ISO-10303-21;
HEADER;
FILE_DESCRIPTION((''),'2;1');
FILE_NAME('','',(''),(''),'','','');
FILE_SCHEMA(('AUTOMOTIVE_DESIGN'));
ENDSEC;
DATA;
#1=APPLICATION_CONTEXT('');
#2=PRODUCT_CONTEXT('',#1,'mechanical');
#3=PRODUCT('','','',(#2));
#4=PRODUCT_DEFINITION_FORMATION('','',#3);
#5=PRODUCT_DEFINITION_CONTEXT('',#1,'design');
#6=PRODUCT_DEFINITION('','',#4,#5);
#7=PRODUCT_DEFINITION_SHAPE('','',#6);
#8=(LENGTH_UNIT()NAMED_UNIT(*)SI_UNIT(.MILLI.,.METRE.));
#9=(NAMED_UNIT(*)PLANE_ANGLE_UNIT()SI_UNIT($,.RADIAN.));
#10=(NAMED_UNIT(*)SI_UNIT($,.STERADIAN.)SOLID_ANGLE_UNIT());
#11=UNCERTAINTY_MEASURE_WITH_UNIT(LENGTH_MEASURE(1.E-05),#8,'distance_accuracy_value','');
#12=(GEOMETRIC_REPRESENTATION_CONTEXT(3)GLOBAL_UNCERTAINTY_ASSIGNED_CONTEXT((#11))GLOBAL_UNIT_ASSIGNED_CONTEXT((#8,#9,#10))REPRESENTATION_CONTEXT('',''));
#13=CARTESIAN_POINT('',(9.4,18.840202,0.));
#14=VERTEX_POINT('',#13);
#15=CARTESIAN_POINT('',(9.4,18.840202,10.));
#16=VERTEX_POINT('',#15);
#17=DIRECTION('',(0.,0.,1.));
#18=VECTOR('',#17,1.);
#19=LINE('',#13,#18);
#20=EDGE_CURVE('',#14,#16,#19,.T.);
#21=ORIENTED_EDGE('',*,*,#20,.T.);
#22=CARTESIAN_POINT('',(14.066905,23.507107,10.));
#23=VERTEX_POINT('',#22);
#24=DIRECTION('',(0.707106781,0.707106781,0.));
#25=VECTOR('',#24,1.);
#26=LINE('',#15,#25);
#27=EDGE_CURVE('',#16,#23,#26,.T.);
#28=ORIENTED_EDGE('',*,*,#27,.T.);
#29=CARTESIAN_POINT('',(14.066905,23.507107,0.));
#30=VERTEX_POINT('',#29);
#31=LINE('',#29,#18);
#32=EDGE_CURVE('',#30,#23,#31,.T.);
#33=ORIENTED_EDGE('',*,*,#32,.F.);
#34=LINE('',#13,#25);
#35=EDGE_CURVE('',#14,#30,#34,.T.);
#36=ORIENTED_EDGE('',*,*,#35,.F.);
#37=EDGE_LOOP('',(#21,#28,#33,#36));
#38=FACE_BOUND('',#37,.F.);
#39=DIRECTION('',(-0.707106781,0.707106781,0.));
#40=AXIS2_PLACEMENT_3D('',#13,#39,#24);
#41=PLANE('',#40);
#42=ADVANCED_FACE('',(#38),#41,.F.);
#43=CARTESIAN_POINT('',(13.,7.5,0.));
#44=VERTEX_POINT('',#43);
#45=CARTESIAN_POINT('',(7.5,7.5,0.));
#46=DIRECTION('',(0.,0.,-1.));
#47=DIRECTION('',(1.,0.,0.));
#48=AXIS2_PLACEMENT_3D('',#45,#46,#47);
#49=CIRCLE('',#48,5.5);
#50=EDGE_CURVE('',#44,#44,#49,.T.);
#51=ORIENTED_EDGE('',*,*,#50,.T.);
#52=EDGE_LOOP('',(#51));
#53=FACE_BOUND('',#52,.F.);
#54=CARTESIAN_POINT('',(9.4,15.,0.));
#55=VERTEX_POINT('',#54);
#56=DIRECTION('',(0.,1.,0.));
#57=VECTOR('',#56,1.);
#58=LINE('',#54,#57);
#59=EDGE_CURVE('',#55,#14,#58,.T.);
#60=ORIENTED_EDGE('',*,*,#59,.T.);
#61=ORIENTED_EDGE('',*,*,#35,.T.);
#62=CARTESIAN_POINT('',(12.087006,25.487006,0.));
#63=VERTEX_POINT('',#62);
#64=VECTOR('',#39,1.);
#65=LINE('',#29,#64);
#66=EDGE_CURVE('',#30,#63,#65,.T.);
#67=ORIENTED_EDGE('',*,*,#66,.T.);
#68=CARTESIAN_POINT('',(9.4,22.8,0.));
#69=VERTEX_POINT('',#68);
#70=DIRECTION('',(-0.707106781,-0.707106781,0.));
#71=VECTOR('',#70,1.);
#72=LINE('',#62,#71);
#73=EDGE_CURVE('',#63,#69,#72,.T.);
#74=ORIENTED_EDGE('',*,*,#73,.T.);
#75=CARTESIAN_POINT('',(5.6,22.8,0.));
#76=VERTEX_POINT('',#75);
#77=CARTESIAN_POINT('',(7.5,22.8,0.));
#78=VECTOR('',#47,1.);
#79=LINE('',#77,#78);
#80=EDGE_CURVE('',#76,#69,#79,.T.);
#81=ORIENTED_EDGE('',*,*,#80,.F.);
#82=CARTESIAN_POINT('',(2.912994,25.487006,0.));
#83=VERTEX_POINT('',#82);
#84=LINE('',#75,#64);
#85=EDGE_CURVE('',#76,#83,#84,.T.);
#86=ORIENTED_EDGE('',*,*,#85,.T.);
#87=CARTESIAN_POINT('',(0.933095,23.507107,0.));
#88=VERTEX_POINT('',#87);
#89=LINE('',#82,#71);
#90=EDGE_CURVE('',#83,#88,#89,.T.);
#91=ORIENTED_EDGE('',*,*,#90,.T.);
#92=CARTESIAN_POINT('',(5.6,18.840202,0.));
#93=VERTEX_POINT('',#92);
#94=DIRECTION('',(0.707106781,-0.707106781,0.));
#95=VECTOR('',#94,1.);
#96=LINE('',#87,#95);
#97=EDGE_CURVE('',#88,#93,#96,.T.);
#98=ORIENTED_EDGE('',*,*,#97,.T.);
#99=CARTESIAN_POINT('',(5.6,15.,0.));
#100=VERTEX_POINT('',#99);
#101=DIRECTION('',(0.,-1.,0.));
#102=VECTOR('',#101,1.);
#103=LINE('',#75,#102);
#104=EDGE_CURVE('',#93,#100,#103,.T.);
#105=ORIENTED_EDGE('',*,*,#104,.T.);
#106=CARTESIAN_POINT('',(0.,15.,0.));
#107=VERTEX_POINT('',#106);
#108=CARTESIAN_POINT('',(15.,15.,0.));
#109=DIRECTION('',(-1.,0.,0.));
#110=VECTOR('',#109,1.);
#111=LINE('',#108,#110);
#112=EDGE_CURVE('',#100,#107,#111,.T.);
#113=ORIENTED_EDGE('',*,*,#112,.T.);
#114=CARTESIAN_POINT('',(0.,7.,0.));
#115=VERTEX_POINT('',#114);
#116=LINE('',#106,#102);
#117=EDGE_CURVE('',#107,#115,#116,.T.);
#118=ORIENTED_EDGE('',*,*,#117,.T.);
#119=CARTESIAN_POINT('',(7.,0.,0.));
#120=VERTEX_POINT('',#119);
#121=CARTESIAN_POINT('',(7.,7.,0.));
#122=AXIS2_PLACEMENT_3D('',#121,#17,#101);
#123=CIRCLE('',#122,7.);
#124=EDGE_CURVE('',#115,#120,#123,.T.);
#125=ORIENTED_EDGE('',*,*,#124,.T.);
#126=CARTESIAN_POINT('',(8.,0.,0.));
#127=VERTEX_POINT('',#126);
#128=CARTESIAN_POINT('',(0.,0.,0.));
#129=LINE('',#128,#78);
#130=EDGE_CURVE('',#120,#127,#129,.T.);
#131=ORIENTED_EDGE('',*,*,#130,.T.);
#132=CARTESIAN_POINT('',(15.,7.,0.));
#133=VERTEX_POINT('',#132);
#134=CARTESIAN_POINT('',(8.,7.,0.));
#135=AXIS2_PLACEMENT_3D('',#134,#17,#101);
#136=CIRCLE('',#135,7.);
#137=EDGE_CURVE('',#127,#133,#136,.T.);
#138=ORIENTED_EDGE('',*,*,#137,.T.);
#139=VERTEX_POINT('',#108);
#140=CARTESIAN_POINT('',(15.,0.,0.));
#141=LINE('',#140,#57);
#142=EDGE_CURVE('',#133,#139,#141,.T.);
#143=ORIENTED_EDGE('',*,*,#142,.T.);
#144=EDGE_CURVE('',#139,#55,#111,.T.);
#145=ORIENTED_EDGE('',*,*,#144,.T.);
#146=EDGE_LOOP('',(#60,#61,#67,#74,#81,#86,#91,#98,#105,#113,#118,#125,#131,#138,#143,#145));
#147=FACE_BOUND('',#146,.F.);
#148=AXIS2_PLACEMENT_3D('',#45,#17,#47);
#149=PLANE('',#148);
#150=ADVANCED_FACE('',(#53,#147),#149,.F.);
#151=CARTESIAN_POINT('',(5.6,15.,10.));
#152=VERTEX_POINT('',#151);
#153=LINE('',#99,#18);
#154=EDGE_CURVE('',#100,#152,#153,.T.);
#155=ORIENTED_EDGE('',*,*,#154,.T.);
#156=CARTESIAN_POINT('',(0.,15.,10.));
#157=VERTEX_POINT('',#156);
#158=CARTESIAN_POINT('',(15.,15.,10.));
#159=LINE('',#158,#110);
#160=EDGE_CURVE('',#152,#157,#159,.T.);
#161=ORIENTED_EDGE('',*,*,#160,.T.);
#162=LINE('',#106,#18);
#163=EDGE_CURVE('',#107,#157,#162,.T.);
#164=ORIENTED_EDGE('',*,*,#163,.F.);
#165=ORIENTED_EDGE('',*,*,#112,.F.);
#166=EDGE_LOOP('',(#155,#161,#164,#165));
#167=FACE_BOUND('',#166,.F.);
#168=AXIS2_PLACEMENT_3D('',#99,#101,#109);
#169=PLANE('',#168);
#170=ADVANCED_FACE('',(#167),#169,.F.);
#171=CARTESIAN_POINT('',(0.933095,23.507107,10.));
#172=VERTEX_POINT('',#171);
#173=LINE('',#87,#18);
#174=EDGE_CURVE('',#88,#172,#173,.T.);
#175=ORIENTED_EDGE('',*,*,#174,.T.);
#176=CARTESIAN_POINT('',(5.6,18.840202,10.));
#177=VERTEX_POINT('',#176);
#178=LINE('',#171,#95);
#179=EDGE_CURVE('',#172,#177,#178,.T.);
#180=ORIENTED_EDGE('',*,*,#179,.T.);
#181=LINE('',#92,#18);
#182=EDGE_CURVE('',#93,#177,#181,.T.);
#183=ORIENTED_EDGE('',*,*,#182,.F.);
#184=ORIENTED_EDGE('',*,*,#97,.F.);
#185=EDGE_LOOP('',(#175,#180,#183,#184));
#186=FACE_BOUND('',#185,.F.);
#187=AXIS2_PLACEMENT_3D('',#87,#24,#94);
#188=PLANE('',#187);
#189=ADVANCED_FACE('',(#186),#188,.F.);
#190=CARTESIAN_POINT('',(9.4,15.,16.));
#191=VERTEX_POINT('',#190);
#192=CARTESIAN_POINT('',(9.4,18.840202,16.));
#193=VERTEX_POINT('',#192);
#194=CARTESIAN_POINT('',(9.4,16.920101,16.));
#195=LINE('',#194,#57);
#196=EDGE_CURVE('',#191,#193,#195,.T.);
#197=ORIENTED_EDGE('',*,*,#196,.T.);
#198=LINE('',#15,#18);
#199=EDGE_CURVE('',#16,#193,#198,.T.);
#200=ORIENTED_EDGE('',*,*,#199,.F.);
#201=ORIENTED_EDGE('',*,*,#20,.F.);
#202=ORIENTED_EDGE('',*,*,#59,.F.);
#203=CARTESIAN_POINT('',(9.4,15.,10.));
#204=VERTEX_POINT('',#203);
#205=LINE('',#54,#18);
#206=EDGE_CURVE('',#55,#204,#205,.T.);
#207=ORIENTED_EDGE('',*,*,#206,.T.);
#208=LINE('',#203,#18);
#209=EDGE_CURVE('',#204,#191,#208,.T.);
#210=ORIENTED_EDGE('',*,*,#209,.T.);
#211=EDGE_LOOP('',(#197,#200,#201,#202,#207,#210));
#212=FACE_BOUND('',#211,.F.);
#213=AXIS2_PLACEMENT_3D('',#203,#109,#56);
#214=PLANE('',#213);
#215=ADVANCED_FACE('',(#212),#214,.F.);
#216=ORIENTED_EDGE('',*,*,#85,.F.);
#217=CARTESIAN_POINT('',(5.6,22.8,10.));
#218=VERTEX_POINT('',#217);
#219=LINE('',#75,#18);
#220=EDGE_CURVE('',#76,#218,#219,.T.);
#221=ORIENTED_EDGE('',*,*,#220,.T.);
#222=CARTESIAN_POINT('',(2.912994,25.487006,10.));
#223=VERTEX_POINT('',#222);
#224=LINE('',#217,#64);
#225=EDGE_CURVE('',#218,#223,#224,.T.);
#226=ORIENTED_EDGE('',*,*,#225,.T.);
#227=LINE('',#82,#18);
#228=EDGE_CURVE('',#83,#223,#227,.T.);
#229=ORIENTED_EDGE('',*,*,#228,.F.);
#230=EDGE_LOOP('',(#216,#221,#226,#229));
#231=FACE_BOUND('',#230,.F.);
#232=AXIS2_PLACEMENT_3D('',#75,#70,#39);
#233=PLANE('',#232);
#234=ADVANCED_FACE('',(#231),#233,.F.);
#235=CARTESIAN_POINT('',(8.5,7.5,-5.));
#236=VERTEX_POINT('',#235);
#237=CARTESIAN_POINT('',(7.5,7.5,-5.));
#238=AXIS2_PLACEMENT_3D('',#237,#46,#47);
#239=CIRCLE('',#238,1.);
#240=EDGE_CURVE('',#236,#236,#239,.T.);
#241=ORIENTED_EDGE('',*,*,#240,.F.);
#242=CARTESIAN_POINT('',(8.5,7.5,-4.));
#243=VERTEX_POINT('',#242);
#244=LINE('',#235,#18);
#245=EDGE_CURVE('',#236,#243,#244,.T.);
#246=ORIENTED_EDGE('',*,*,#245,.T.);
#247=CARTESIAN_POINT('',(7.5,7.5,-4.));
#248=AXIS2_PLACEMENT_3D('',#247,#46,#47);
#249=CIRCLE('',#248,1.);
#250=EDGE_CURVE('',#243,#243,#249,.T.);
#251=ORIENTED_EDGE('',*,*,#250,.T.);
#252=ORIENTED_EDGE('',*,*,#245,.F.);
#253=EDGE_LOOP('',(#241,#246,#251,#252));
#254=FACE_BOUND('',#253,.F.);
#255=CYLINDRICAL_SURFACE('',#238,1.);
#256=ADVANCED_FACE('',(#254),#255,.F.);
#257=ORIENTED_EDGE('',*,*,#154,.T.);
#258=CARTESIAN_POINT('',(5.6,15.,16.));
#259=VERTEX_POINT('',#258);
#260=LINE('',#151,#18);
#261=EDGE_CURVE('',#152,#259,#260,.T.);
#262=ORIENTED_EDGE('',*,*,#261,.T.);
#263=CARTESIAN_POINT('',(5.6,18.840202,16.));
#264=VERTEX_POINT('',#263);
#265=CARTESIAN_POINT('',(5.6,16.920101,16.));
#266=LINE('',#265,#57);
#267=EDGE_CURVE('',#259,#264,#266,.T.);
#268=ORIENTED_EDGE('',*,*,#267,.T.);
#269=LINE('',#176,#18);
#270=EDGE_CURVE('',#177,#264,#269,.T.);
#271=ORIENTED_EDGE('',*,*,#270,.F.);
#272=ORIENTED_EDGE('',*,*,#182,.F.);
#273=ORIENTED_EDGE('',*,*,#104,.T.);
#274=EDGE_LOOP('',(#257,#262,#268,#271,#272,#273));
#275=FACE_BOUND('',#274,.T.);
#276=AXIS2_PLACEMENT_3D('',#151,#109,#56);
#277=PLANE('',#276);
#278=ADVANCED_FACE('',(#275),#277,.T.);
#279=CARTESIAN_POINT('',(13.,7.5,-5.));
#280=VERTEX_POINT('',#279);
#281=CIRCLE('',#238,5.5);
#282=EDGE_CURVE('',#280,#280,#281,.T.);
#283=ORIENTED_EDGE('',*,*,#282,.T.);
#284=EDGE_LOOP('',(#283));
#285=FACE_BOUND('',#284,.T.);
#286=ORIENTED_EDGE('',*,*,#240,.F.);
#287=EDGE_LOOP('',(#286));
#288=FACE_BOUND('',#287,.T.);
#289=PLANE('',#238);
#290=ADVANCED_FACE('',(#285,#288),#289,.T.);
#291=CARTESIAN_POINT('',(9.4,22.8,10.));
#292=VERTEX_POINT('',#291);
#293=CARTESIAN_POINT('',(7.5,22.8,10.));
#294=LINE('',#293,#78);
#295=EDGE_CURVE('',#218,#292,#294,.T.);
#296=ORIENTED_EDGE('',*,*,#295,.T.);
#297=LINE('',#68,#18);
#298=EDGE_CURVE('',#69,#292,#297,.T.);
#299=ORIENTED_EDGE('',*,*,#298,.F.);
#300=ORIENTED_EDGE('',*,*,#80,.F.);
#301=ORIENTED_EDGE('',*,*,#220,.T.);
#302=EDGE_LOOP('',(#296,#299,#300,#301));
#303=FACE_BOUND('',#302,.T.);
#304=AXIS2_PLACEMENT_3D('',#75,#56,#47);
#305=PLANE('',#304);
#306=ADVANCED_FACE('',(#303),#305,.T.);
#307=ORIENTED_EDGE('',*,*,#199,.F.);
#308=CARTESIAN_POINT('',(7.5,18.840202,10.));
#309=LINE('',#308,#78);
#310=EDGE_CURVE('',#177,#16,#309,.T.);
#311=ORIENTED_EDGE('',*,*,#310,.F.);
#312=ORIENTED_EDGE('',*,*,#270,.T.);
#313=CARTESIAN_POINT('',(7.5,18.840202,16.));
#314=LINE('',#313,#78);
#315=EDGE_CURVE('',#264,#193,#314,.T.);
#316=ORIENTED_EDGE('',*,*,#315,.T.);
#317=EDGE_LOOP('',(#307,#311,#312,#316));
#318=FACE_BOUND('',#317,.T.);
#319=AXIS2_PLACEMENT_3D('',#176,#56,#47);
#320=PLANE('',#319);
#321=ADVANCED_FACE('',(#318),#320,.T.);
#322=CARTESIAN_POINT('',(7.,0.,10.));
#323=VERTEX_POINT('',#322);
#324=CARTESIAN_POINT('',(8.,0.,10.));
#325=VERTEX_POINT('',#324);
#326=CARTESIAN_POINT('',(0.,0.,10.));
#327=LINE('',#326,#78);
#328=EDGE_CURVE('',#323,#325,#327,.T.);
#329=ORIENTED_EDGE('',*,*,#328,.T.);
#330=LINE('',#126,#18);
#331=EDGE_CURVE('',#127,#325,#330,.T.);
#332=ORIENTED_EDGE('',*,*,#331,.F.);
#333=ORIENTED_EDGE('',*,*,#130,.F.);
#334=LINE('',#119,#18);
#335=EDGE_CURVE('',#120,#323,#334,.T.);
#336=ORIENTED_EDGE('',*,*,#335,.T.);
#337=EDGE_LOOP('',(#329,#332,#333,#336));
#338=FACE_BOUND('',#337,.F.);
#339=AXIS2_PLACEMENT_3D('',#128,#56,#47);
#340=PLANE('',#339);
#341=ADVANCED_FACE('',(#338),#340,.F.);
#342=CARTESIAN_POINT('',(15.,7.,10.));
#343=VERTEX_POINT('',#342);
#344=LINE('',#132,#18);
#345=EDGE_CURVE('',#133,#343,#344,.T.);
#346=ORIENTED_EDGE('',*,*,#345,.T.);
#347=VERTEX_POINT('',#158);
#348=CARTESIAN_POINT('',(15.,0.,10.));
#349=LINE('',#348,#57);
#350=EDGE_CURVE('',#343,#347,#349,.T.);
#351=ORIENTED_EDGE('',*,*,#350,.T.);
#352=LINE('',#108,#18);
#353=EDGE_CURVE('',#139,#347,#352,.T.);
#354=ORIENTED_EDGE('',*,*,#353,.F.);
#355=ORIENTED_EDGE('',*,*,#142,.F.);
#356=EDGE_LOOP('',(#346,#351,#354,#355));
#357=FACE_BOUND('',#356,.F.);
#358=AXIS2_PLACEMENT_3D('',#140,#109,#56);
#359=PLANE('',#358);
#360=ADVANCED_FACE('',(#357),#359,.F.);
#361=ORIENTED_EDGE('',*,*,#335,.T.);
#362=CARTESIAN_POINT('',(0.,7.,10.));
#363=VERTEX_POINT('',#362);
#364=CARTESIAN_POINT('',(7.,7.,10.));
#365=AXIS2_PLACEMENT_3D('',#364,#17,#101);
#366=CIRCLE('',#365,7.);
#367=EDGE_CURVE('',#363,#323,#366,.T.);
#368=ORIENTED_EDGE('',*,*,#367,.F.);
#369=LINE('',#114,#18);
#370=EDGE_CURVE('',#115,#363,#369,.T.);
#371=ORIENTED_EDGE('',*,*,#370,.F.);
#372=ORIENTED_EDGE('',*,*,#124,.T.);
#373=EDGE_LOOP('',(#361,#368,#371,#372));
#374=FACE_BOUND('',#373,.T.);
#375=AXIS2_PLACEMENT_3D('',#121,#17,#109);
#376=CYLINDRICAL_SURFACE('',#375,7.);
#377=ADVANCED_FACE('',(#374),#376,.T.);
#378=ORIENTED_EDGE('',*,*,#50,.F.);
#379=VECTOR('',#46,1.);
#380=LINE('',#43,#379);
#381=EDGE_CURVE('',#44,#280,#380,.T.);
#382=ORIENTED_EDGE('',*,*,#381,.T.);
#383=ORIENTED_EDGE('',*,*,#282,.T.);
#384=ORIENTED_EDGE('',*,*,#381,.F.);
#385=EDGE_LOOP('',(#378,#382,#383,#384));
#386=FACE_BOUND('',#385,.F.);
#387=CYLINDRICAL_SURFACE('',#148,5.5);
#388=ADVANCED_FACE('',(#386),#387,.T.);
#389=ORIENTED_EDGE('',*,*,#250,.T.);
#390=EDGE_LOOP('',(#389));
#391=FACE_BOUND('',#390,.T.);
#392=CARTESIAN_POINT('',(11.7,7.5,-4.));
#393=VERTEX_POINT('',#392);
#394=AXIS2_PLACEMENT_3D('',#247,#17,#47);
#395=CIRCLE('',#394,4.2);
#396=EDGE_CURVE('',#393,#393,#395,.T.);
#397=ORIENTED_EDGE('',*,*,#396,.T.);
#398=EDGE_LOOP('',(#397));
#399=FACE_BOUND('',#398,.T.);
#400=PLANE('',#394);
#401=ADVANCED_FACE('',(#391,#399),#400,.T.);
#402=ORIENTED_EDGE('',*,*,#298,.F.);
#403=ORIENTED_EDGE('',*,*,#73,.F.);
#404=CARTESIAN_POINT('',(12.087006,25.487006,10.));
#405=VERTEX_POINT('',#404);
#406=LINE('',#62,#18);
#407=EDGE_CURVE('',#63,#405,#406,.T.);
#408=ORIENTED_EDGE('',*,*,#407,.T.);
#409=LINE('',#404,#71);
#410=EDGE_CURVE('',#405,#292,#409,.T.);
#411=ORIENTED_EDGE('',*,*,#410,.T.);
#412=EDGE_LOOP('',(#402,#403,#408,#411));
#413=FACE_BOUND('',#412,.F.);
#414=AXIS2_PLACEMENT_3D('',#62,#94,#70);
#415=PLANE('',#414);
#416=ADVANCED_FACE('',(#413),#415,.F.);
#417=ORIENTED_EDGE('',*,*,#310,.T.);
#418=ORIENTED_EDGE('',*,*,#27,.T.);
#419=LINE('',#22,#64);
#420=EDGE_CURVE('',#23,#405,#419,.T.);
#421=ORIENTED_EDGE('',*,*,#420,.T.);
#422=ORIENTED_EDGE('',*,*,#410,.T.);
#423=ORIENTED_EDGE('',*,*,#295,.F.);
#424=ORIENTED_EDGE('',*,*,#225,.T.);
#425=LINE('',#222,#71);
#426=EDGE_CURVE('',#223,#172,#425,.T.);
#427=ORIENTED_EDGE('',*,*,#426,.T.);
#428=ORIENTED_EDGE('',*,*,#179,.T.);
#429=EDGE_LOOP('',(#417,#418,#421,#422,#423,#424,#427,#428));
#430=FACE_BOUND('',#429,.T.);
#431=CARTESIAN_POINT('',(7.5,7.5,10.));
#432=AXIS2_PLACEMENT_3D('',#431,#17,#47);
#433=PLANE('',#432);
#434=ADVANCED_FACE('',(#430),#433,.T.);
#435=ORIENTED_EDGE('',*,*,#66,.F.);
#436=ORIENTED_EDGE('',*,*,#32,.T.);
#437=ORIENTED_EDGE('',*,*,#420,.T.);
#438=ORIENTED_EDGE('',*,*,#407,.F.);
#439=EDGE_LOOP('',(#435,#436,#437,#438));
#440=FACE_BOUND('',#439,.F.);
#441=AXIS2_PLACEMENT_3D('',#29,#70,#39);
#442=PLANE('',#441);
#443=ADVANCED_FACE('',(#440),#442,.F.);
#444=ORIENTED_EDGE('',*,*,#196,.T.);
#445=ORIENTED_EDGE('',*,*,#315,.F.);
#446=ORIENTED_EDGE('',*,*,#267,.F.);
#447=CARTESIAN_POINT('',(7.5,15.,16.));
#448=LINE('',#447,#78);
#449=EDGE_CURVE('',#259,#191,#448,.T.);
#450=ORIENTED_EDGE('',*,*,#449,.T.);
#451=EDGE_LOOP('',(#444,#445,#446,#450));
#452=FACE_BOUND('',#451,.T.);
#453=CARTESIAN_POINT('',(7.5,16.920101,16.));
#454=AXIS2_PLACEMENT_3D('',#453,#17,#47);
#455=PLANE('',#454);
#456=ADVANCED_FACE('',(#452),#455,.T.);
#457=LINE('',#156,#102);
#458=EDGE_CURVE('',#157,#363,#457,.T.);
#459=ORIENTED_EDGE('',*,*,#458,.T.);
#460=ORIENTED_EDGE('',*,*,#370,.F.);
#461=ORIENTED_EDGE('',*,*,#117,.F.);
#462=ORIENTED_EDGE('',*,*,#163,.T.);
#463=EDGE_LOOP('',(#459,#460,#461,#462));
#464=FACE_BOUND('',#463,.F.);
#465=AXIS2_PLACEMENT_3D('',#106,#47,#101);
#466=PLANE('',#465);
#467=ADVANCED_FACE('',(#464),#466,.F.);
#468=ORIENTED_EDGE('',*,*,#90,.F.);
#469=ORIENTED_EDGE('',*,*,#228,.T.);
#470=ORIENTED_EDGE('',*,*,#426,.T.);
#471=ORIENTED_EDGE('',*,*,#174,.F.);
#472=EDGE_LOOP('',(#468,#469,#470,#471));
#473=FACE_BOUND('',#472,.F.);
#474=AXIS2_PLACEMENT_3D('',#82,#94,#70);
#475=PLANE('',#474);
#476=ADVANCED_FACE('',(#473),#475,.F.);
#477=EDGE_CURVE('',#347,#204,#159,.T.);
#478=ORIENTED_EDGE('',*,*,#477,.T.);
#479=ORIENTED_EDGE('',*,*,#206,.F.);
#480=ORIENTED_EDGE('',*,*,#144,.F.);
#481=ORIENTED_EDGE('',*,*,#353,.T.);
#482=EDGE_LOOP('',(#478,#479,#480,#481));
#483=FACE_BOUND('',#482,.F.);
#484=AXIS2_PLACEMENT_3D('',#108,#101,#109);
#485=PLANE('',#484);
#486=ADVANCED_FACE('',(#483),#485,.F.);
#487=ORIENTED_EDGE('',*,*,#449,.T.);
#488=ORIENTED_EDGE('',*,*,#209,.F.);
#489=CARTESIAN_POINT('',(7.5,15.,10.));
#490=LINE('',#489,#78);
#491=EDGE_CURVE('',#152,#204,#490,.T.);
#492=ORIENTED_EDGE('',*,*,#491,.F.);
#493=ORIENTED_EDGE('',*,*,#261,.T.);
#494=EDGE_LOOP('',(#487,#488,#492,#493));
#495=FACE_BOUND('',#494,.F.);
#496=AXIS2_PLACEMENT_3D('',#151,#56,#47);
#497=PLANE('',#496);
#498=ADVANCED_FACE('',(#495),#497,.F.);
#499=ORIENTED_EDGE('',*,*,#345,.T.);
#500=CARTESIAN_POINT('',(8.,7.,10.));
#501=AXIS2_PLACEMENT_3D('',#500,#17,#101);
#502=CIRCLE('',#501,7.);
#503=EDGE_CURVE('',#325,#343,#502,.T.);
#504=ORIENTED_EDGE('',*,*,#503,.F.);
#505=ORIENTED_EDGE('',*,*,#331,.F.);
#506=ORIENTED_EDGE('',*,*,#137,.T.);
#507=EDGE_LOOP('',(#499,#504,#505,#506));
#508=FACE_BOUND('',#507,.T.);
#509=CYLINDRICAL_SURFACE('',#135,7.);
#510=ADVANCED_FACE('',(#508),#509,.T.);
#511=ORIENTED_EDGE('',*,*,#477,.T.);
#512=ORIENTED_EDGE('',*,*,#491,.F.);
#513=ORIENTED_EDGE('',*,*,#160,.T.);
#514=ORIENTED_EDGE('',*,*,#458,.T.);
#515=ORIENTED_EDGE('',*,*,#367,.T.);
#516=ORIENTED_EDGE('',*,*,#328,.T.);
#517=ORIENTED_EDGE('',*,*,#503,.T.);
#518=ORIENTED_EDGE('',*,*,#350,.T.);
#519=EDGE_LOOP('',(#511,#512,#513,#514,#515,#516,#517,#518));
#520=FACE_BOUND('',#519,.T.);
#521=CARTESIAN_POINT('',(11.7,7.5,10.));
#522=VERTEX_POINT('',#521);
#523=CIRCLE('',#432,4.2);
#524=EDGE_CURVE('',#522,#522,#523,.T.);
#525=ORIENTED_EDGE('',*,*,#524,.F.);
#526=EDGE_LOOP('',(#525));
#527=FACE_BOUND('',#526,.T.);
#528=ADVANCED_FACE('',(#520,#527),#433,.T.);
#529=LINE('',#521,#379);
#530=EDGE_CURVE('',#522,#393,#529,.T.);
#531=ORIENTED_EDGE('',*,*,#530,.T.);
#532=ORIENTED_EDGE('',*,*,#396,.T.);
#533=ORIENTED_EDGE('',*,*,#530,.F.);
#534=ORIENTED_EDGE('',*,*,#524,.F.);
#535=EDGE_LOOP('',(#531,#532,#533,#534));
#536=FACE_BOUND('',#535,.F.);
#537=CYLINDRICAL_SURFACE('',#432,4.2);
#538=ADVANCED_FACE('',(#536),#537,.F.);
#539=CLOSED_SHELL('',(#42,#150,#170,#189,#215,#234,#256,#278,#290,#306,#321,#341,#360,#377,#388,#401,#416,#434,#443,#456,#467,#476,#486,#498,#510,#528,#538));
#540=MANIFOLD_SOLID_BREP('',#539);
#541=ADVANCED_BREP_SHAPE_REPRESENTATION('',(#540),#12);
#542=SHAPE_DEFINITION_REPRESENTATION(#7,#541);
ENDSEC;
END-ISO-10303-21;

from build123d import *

# Parameters (mm, degrees)
F0_W     = 3.8
F0_H     = 3.840202
F0_H_2   = 3.959798
F1_DEPTH = 10
F2_W     = 3.8
F2_H     = 3.840202
F3_DEPTH = 6
F4_R     = 5.5
F5_DEPTH = 5
F6_R     = 1
F7_DEPTH = 25
F8_R     = 4.2
F9_DEPTH = 14
F10_R    = 7


with BuildPart() as f1:
    # F0 (on Top) → F1 (new body)
    with BuildSketch(Plane.XY):
        Polygon((0, 15), (0, 0), (15, 0), (15, 15), (9.4, 15), (5.6, 15), align=None)
        with Locations((7.5, 16.920101)):
            Rectangle(F0_W, F0_H)
        with Locations((7.5, 20.820101)):
            Rectangle(F0_W, F0_H_2)
        Polygon((9.4, 22.8), (9.4, 18.840202), (14.066905, 23.507107), (12.087006, 25.487006), align=None)
        Polygon((0.933095, 23.507107), (5.6, 18.840202), (5.6, 22.8), (2.912994, 25.487006), align=None)
    extrude(amount=F1_DEPTH)

    # F2 (on face) → F3 (join)
    with BuildSketch(Plane.XY.offset(10)):
        with Locations((7.5, 16.920101)):
            Rectangle(F2_W, F2_H)
    extrude(amount=F3_DEPTH)

    # F4 (on face) → F5 (join)
    with BuildSketch(Plane(origin=(0, 0, 0), x_dir=(1, 0, 0), z_dir=(0, 0, -1))):
        with Locations((7.5, -7.5)):
            Circle(F4_R)
    extrude(amount=F5_DEPTH)

    # F6 (on face) → F7 (cut)
    with BuildSketch(Plane(origin=(0, 0, -5), x_dir=(1, 0, 0), z_dir=(0, 0, -1))):
        with Locations((7.5, -7.5)):
            Circle(F6_R)
    extrude(amount=-F7_DEPTH, mode=Mode.SUBTRACT)

    # F8 (on face) → F9 (cut)
    with BuildSketch(Plane.XY.offset(10)):
        with Locations((7.5, 7.5)):
            Circle(F8_R)
    extrude(amount=-F9_DEPTH, mode=Mode.SUBTRACT)

    # F10
    f10_edges = [f1.edges().sort_by_distance(p)[0] for p in [
        (15, 0, 5),
        (0, 0, 5),
    ]]
    fillet(f10_edges, radius=F10_R)


solid = f1.part
